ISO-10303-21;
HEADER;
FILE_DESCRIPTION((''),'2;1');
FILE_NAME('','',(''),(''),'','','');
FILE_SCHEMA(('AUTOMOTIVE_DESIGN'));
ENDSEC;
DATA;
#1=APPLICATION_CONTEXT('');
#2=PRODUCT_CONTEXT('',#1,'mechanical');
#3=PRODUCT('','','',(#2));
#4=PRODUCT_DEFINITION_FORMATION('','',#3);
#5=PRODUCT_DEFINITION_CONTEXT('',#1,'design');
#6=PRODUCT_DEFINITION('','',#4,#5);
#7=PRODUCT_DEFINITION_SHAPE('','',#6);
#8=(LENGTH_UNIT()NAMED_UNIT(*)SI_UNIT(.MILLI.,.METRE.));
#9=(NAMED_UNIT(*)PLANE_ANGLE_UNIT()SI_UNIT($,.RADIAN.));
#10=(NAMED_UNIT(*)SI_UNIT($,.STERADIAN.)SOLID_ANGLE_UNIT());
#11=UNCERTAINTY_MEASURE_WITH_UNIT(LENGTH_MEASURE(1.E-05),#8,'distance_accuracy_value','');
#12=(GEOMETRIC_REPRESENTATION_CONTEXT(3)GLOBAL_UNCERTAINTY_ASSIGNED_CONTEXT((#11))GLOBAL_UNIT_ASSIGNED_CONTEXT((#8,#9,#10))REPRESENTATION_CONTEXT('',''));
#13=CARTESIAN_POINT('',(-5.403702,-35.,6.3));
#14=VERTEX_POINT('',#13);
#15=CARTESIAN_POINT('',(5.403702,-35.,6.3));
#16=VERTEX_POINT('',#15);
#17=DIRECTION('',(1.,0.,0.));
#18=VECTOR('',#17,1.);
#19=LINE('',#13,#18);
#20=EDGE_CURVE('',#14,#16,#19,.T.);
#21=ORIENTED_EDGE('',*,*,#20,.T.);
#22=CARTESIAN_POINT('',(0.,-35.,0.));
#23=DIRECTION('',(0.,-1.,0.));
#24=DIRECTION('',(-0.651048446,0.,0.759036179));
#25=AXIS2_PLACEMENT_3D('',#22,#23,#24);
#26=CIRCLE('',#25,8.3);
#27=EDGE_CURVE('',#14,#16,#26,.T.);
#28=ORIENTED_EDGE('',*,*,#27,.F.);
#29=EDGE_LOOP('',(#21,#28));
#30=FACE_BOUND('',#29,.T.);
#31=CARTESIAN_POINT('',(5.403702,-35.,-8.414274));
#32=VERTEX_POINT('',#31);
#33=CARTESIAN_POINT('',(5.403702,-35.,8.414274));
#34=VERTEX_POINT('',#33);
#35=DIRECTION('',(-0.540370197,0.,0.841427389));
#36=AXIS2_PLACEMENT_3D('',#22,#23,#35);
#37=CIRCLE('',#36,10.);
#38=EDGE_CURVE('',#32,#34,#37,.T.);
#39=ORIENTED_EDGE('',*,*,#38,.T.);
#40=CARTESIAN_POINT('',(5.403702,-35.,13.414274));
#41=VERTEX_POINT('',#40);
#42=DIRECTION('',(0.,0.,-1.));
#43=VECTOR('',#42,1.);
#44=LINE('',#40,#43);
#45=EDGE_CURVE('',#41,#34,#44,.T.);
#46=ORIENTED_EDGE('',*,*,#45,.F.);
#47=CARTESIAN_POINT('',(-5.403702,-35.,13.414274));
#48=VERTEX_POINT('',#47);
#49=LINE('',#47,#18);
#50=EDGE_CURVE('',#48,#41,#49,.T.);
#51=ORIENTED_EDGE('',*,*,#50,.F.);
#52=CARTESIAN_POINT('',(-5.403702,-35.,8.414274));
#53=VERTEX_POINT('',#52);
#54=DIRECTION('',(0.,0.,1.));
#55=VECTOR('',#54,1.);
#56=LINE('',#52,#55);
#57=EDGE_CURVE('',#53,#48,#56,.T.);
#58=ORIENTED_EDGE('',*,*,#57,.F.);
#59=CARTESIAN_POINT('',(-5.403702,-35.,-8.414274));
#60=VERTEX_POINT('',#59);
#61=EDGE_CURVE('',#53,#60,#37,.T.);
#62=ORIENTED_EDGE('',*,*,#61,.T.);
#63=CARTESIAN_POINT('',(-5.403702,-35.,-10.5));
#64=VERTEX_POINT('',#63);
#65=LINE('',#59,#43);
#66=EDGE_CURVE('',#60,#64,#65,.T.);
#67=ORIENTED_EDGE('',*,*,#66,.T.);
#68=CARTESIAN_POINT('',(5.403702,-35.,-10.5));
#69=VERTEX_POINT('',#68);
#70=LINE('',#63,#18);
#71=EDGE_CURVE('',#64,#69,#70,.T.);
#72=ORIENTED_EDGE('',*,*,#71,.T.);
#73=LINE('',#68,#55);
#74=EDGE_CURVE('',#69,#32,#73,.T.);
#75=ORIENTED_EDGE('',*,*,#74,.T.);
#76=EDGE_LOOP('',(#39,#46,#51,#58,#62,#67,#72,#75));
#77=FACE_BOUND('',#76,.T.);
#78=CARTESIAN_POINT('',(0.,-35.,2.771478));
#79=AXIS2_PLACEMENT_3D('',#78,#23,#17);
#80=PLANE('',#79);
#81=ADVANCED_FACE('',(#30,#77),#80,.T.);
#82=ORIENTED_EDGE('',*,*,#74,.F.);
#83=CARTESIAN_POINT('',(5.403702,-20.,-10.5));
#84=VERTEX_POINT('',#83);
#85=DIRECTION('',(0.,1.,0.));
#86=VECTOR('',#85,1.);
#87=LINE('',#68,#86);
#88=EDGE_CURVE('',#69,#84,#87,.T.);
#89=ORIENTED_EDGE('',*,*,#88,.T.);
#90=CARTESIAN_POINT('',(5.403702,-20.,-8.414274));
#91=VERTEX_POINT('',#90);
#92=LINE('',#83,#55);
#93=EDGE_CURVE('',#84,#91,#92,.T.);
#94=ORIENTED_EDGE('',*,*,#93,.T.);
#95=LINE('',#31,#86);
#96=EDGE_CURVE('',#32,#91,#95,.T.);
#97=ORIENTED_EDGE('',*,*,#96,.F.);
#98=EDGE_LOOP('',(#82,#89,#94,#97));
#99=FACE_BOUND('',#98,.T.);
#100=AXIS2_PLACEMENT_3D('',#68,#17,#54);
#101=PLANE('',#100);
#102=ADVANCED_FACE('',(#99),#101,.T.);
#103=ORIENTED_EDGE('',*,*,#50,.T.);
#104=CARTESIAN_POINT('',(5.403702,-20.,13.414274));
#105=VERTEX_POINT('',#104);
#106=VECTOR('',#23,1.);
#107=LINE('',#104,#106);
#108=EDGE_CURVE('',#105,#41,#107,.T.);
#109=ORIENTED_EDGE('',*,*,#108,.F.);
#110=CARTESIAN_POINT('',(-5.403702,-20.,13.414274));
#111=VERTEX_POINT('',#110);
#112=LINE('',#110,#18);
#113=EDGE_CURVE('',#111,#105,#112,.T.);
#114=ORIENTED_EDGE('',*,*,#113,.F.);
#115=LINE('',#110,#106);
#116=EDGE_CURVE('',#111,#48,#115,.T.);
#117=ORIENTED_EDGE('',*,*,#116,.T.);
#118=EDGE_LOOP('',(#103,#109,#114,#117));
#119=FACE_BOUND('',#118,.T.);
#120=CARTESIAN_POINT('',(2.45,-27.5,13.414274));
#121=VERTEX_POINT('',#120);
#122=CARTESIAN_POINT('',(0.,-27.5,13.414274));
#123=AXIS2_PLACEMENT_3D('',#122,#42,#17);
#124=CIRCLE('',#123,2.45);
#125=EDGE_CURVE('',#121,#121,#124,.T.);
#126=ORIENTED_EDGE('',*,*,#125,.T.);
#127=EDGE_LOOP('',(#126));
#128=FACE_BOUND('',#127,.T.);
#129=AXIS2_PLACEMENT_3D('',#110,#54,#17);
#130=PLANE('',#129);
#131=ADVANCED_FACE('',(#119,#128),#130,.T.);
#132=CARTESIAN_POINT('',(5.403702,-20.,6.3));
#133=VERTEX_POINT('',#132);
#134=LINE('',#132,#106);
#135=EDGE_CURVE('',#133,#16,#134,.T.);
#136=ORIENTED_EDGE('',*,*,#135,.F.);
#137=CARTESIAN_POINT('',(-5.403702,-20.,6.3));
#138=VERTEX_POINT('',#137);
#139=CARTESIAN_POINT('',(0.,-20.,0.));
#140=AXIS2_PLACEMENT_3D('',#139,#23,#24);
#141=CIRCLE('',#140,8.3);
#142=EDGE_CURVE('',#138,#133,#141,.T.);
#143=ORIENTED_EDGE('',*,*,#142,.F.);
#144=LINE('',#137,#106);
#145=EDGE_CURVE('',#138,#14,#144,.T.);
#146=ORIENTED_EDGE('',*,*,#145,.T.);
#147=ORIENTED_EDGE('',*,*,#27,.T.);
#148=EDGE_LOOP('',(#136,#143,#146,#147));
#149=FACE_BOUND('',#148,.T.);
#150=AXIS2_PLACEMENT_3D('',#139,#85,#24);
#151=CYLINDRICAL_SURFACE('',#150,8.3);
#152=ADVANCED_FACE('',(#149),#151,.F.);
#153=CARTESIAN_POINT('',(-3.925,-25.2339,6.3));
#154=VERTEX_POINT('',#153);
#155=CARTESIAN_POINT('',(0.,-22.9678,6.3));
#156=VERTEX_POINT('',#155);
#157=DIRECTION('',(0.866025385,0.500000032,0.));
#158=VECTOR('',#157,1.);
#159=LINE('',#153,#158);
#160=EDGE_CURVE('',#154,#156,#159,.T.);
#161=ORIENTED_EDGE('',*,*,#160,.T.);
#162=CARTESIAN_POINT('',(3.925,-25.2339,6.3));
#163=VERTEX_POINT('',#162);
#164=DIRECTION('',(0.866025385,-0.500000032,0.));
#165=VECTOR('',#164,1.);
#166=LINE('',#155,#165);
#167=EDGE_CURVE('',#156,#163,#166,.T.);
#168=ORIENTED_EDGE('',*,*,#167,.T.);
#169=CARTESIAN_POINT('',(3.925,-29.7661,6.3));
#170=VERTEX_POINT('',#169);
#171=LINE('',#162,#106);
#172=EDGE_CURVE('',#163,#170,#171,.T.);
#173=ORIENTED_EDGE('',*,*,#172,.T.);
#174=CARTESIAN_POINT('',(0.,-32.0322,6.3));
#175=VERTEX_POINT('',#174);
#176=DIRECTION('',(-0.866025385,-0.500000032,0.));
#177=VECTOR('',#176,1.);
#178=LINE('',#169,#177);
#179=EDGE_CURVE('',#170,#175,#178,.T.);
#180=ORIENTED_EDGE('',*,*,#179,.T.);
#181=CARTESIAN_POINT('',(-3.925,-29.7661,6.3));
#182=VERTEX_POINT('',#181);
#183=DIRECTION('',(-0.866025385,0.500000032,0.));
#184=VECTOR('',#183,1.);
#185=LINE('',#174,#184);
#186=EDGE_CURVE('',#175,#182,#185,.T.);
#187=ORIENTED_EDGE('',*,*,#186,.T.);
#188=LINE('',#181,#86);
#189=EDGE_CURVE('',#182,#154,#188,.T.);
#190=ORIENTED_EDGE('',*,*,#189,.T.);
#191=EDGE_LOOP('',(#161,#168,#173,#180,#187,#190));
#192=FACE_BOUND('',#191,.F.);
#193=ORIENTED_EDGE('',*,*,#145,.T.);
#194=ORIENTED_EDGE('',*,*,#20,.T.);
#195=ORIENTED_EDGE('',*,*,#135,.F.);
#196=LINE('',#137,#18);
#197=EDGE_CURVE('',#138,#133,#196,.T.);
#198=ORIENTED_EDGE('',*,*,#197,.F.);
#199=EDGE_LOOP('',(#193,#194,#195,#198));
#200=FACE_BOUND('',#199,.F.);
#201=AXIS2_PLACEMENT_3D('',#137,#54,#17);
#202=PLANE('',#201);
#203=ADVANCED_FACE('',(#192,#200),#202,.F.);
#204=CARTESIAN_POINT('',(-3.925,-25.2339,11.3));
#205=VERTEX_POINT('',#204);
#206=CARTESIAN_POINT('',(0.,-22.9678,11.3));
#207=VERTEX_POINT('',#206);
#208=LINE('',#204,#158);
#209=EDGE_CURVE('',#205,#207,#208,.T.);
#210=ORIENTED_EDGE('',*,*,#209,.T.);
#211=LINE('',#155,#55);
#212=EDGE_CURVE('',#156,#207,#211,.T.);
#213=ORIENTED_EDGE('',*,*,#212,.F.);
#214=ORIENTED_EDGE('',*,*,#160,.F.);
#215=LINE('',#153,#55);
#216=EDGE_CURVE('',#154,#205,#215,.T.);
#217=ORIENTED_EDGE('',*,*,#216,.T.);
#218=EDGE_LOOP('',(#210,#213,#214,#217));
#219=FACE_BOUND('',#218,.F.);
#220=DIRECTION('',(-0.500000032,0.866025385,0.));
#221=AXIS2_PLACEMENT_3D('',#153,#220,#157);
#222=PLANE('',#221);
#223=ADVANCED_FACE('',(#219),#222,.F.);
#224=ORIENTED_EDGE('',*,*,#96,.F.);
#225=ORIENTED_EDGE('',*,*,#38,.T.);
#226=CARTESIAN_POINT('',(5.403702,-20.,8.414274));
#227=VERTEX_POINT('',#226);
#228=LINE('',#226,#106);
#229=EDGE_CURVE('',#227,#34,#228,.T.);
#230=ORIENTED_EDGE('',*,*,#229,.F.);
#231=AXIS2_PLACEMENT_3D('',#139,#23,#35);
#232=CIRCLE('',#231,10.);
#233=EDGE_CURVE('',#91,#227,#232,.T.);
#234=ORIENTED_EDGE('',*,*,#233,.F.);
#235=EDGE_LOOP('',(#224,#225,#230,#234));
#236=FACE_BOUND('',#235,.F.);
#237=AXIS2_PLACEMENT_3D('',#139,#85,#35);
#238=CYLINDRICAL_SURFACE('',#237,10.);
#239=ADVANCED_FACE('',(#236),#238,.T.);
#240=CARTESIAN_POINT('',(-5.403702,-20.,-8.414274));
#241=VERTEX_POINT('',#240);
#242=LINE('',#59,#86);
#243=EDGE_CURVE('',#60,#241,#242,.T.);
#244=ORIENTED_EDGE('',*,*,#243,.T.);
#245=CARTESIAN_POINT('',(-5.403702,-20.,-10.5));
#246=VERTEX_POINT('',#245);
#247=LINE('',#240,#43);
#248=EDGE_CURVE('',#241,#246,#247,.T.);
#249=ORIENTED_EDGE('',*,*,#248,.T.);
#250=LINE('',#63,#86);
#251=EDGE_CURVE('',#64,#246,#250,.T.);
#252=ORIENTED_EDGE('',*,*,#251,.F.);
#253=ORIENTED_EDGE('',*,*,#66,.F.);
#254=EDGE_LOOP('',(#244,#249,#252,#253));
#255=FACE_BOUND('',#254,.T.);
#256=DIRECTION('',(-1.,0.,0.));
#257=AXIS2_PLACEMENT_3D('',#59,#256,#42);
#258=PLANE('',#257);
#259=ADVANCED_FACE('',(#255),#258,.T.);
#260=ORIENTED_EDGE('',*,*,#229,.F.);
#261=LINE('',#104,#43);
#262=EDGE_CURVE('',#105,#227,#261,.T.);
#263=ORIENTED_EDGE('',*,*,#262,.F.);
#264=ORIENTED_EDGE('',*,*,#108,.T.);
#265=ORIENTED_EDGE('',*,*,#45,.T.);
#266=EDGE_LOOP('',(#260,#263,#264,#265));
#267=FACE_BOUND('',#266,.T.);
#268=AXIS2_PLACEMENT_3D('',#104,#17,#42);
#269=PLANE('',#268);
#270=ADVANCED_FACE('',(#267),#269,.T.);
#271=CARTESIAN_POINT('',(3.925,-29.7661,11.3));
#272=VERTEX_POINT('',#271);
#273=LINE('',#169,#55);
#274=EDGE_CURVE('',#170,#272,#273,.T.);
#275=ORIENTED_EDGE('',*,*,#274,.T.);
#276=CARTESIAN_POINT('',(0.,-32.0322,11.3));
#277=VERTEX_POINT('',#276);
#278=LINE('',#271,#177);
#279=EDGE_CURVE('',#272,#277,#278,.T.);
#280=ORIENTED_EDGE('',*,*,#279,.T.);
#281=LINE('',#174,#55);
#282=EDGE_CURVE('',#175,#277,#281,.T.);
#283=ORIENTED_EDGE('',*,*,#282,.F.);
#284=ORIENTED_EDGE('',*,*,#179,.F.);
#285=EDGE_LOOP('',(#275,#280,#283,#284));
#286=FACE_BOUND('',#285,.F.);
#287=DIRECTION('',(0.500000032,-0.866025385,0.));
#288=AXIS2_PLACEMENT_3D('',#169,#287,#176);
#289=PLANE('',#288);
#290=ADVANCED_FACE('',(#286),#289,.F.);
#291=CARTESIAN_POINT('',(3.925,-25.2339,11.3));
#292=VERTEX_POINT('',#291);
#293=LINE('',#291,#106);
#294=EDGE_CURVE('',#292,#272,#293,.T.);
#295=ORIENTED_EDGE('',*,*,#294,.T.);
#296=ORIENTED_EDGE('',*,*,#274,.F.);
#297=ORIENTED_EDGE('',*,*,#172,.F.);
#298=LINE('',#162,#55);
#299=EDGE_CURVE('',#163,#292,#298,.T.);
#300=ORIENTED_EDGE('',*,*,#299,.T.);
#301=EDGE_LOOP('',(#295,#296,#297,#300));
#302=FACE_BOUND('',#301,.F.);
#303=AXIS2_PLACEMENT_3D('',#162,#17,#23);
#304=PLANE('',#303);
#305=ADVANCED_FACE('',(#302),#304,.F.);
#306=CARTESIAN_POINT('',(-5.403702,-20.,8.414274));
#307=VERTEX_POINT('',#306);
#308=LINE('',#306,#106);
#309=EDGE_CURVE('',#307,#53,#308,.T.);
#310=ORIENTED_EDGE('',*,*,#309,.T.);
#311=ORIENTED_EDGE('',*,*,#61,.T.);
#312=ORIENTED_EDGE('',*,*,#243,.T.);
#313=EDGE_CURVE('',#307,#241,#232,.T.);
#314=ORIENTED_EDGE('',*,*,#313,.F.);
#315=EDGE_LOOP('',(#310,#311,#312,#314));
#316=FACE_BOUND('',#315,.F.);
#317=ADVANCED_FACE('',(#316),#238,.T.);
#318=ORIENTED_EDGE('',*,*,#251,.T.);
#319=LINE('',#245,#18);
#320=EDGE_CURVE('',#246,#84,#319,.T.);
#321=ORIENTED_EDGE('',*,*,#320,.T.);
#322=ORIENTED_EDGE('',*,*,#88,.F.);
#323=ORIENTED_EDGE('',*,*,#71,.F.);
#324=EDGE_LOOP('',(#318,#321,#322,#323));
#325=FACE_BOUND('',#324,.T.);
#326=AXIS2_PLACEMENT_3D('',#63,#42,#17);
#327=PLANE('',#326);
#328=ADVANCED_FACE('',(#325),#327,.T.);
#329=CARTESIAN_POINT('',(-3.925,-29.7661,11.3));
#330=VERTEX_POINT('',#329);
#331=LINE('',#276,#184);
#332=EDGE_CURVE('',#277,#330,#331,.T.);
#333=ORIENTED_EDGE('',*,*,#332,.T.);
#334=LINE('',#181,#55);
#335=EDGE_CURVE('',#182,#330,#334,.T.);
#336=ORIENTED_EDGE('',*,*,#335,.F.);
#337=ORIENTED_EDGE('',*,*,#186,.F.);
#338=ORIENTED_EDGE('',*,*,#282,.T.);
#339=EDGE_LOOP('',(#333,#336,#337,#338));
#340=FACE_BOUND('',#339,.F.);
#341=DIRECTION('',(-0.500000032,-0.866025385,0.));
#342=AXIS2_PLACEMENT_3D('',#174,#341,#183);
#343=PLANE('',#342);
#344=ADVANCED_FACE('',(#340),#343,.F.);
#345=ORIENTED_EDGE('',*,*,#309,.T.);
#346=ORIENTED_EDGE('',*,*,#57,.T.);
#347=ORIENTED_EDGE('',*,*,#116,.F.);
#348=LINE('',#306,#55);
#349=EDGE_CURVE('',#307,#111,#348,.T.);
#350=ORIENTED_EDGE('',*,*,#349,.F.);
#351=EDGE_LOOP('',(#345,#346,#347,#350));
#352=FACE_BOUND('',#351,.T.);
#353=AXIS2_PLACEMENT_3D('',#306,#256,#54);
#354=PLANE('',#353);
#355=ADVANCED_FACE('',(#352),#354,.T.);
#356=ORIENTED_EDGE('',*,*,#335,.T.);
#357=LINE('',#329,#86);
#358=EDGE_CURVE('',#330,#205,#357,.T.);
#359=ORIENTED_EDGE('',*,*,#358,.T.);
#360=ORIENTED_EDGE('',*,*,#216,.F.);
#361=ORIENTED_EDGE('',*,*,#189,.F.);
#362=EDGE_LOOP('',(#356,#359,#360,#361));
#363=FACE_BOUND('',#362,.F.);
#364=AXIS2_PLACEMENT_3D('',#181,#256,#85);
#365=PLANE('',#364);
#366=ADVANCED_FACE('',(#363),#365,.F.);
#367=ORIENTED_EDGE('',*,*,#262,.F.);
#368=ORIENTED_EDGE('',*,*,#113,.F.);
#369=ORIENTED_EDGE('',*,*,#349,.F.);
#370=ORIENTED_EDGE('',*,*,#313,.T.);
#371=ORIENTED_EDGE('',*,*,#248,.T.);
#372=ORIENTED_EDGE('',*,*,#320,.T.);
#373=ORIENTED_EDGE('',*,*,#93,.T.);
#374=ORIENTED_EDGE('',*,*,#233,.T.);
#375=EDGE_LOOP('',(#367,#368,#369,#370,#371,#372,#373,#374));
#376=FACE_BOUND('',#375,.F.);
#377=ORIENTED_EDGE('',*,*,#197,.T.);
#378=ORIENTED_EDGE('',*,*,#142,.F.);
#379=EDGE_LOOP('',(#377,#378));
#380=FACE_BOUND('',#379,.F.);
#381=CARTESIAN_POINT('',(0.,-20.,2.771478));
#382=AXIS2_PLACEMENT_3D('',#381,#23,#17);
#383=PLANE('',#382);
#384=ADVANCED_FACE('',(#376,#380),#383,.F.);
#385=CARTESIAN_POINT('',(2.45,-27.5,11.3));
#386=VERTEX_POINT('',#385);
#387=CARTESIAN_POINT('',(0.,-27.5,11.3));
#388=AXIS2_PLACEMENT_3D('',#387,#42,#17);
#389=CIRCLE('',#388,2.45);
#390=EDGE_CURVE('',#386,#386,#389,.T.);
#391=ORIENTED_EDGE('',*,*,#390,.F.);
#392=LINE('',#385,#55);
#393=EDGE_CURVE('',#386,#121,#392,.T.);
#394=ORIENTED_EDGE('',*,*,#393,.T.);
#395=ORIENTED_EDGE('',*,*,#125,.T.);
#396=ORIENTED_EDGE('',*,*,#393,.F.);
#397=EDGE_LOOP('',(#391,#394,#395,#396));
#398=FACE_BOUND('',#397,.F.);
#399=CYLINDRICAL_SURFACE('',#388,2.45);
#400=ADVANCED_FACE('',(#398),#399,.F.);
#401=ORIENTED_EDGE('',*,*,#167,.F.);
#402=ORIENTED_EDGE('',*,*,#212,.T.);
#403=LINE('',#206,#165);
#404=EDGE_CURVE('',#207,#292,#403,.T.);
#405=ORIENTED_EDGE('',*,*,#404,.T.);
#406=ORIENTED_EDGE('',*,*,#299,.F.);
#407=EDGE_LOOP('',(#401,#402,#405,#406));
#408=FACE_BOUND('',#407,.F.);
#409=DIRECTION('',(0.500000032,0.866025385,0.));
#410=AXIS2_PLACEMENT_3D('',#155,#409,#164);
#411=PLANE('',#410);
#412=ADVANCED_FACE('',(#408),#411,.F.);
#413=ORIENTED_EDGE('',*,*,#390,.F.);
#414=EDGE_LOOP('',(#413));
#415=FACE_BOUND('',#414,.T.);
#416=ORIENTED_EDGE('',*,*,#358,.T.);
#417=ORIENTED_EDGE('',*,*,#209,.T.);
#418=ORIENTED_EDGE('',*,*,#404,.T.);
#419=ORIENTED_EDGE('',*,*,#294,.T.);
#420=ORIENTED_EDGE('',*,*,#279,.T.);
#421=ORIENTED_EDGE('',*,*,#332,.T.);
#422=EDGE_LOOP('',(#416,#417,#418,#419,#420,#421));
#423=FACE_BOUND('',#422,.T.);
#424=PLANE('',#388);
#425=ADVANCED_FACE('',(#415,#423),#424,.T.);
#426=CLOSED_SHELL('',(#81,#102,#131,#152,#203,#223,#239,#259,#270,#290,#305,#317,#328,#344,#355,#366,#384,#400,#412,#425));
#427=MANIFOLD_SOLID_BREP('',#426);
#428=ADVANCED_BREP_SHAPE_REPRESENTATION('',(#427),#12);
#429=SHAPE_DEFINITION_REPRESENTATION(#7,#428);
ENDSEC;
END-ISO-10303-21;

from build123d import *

# Parameters (mm, degrees)
PAD002_DEPTH    = 15
POCKET_DEPTH    = 5
SKETCH007_R     = 2.45
POCKET001_DEPTH = 2.115274
PAD003_DEPTH    = 15


with BuildPart() as part:
    # Sketch002 (on DatumPlane) → Pad002 (new body)
    with BuildSketch(Plane.XZ.offset(20)):
        with BuildLine():
            ThreePointArc((-5.403702, 8.414274), (0, -10), (5.403702, 8.414274))
            Line((5.403702, 13.414274), (5.403702, 8.414274))
            Line((-5.403702, 13.414274), (5.403702, 13.414274))
            Line((-5.403702, 8.414274), (-5.403702, 13.414274))
        make_face()
        with BuildLine():
            ThreePointArc((-5.403702, 6.3), (0, -8.3), (5.403702, 6.3))
            Line((-5.403702, 6.3), (5.403702, 6.3))
        make_face(mode=Mode.SUBTRACT)
    extrude(amount=PAD002_DEPTH)

    # Sketch006 (on Face6 of Pad002) → Pocket (cut)
    with BuildSketch(Plane(origin=(0, -20, 6.3), x_dir=(1, 0, 0), z_dir=(0, 0, -1))):
        Polygon((-3.925, 9.7661), (-3.925, 5.2339), (0, 2.9678), (3.925, 5.2339), (3.925, 9.7661), (0, 12.0322), align=None)
    extrude(amount=-POCKET_DEPTH, mode=Mode.SUBTRACT)

    # Sketch007 (on Face15 of Pocket) → Pocket001 (cut, through all)
    with BuildSketch(Plane(origin=(0, -20, 11.3), x_dir=(1, 0, 0), z_dir=(0, 0, -1))):
        with Locations((0, 7.5)):
            Circle(SKETCH007_R)
    extrude(amount=-POCKET001_DEPTH, mode=Mode.SUBTRACT)

    # Sketch008 (on Face5 of Pocket001) → Pad003 (join)
    with BuildSketch(Plane.XZ.offset(35)):
        with BuildLine():
            Line((-5.403702, -8.414274), (-5.403702, -10.5))
            Line((-5.403702, -10.5), (5.403702, -10.5))
            Line((5.403702, -10.5), (5.403702, -8.414274))
            ThreePointArc((-5.403702, -8.414274), (0, -10), (5.403702, -8.414274))
        make_face()
    extrude(amount=-PAD003_DEPTH)


solid = part.part
